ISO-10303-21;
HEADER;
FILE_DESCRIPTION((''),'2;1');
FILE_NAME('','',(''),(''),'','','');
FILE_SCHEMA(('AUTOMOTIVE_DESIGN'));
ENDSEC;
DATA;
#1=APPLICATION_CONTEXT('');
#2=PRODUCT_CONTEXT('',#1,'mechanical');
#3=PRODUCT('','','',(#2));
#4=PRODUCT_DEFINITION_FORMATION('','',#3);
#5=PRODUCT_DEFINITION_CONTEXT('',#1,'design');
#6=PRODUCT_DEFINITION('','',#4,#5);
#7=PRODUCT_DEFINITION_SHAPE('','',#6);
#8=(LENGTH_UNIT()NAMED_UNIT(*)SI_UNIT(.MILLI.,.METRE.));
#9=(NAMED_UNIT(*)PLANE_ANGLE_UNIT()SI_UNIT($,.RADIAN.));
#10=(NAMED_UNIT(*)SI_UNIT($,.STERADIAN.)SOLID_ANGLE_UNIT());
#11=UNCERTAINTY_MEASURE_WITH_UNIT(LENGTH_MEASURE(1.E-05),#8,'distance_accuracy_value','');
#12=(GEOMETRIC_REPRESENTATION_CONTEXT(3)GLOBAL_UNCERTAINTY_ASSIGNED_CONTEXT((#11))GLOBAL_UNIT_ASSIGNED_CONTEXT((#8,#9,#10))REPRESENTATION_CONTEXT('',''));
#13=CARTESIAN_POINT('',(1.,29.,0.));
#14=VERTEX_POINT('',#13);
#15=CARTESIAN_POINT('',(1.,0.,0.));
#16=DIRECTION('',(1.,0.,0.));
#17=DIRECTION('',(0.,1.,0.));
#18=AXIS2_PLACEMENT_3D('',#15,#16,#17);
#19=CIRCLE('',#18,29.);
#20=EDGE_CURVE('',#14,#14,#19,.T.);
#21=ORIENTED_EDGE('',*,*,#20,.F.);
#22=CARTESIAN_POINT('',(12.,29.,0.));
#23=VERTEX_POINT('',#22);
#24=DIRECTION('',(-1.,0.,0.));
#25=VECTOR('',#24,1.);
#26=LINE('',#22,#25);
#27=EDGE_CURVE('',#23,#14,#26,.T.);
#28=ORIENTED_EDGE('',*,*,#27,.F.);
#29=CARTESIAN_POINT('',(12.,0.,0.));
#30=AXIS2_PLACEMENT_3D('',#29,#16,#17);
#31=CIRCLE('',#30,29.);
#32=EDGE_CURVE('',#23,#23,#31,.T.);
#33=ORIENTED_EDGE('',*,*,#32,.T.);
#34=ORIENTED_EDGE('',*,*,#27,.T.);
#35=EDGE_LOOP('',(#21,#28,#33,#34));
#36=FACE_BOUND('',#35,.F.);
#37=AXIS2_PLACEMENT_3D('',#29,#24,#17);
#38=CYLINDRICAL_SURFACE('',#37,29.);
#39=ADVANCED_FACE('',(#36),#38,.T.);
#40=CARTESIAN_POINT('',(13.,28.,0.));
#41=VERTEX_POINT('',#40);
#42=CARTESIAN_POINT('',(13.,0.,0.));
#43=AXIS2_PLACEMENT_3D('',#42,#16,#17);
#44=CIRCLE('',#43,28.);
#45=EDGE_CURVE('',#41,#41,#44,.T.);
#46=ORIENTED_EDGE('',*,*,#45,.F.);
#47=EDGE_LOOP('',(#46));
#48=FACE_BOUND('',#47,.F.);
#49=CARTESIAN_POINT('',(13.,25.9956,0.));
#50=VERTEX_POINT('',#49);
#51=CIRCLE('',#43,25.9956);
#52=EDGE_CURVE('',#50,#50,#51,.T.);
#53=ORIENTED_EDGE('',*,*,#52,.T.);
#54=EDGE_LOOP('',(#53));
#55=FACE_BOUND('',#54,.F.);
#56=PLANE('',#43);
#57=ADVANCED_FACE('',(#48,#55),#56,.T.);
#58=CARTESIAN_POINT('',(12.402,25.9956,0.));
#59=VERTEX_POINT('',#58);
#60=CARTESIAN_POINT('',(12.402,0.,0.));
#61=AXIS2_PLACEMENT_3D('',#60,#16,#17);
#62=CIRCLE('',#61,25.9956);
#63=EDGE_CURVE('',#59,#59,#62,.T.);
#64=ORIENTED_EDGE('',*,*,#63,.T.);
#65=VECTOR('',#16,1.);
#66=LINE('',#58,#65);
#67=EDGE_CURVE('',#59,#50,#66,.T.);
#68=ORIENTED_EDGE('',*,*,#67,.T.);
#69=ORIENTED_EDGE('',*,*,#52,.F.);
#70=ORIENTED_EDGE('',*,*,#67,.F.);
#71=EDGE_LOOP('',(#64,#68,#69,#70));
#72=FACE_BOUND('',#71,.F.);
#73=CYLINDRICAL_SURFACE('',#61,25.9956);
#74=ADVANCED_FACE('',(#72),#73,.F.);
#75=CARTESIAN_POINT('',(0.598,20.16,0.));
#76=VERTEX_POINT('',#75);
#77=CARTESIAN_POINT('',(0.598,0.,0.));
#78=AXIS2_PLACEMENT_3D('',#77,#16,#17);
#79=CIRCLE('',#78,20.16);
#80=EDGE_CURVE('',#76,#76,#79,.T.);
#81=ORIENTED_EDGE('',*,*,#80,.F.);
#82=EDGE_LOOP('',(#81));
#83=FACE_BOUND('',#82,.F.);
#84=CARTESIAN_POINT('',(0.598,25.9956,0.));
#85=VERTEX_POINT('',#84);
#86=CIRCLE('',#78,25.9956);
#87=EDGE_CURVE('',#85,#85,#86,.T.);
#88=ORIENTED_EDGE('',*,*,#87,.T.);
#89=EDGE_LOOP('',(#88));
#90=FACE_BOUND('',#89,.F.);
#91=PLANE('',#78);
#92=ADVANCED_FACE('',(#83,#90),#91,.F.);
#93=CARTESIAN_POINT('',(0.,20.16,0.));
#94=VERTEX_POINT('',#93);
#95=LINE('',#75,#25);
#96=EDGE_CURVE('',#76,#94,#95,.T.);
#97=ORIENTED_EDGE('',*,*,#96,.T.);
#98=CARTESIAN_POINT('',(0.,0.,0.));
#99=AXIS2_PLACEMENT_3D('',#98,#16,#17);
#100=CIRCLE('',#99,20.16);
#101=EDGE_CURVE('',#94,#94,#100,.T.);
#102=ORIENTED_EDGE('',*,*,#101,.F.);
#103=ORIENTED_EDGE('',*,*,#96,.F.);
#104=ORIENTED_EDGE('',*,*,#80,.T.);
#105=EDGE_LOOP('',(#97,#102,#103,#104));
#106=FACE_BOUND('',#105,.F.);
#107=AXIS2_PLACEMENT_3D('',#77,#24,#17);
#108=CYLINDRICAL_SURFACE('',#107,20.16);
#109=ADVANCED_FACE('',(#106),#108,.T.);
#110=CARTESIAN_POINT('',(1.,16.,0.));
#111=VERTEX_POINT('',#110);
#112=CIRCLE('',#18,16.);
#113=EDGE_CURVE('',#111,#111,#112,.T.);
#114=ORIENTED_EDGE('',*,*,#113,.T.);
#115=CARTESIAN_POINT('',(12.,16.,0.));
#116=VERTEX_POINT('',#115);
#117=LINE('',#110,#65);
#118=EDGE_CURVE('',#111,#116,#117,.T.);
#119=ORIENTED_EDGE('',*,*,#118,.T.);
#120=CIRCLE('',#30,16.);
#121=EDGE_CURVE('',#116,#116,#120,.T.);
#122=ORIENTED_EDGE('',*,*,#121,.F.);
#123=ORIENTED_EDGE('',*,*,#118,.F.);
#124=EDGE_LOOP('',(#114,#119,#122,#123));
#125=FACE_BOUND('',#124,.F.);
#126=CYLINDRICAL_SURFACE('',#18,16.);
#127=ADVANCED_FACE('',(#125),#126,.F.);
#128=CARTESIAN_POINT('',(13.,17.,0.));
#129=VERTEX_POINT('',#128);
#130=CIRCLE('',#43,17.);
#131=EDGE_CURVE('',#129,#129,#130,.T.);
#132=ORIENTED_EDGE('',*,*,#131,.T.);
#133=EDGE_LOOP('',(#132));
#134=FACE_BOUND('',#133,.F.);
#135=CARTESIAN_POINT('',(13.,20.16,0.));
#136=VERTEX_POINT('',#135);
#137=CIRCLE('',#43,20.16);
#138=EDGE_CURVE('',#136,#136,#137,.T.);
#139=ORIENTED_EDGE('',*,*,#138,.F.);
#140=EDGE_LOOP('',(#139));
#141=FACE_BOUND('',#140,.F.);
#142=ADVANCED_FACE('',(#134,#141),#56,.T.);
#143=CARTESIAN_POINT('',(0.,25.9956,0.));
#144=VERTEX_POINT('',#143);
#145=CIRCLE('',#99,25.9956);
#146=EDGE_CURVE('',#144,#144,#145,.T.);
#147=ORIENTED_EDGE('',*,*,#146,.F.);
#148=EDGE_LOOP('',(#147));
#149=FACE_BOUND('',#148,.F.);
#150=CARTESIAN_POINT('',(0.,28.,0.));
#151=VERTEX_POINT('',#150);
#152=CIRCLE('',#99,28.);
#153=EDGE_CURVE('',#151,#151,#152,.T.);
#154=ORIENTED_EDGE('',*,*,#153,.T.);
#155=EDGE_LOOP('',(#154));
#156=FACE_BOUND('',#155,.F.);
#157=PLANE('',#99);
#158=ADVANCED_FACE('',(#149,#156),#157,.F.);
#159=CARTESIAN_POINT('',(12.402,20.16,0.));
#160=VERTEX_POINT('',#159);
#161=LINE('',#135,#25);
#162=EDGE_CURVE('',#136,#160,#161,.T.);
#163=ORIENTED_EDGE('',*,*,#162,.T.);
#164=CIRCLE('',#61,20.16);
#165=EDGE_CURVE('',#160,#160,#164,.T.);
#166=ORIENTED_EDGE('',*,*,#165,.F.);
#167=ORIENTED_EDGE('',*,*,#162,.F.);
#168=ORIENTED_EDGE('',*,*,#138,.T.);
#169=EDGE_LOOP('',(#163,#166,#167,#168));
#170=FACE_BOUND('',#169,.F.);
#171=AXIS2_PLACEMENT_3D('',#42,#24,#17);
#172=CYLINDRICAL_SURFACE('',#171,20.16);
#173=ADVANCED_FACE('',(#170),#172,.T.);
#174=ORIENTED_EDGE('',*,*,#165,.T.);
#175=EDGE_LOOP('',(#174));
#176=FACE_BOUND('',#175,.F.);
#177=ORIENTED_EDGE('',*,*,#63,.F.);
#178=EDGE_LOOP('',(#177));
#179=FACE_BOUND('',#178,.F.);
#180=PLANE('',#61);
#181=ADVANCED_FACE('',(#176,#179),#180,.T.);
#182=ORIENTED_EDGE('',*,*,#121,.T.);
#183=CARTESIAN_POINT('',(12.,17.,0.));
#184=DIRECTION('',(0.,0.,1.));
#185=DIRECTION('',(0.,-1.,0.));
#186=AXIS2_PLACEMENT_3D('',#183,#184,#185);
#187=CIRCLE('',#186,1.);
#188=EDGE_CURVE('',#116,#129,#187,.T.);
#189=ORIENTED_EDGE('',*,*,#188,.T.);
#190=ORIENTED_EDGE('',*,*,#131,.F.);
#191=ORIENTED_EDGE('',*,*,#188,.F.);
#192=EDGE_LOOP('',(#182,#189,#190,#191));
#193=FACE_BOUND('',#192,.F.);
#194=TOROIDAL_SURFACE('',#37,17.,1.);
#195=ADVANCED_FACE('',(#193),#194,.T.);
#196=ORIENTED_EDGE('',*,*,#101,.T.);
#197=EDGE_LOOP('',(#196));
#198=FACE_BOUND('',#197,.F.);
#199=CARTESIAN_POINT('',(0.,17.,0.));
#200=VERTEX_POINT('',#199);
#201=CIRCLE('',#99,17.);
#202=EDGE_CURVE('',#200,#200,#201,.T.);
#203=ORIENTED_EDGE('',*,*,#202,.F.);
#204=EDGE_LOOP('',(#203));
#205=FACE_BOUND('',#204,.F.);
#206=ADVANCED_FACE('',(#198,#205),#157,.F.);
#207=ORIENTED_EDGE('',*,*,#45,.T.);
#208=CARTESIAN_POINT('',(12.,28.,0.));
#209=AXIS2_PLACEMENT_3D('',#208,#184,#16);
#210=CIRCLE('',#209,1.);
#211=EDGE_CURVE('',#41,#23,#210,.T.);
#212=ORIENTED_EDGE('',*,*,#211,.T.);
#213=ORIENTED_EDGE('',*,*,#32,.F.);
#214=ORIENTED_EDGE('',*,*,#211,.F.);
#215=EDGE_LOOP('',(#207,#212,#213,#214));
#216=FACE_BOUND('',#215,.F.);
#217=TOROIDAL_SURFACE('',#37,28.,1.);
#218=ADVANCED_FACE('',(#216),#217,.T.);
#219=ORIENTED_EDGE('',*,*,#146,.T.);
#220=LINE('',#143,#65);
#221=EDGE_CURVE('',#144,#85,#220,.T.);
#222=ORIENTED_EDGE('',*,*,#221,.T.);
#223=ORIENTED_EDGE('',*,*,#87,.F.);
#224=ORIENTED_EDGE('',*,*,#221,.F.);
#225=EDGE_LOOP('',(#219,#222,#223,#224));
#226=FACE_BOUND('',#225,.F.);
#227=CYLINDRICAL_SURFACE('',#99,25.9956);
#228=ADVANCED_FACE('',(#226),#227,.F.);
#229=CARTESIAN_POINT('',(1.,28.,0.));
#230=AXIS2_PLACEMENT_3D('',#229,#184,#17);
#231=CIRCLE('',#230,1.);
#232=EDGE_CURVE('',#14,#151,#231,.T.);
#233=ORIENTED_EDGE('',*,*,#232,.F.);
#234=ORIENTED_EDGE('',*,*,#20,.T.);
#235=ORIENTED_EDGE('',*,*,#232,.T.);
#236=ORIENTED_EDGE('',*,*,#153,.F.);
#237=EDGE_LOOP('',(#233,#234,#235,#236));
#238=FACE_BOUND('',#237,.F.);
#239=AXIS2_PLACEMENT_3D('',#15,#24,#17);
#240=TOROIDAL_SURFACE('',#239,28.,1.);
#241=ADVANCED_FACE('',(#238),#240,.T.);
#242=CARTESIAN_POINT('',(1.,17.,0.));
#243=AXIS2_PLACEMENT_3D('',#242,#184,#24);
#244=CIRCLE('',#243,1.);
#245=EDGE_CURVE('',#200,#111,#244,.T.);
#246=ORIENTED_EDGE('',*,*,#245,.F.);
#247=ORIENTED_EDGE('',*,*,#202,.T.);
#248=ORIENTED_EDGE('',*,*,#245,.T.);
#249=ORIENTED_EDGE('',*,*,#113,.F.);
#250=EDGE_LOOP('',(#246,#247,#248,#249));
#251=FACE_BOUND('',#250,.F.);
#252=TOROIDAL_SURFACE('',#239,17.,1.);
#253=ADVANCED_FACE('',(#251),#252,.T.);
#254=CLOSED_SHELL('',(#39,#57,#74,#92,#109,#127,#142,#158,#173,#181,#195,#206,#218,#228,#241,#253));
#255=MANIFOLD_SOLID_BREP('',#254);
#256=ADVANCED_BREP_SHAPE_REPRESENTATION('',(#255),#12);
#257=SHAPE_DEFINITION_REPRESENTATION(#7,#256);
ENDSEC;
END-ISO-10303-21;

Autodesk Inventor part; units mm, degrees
sketch "Sketch_1" plane through (0, 0, 0) normal (0, 0, 1) x (1, 0, 0)
  line L0 (13, 0) -> (0, 0)
  arc A0 (0, 17) -> (1, 16) centre (1, 17) ccw
  line L1 (1, 16) -> (12, 16)
  arc A1 (12, 16) -> (13, 17) centre (12, 17) ccw
  line L2 (13, 17) -> (13, 20.16)
  line L3 (13, 20.16) -> (12.402, 20.16)
  line L4 (12.402, 20.16) -> (12.402, 25.9956)
  line L5 (12.402, 25.9956) -> (13, 25.9956)
  line L6 (13, 25.9956) -> (13, 28)
  arc A2 (13, 28) -> (12, 29) centre (12, 28) ccw
  line L7 (12, 29) -> (1, 29)
  arc A3 (1, 29) -> (0, 28) centre (1, 28) ccw
  line L8 (0, 28) -> (0, 25.9956)
  line L9 (0, 25.9956) -> (0.598, 25.9956)
  line L10 (0.598, 25.9956) -> (0.598, 20.16)
  line L11 (0.598, 20.16) -> (0, 20.16)
  line L12 (0, 20.16) -> (0, 17)
revolve "Revolution1" add sketch "Sketch_1" angle 360 about axis through (13, 0, 0) along (1, 0, 0)
ref_plane "center_point_XY" through (6.5, 0, 0) normal (1, 0, 0) x (0, 0, -1)
ref_plane "center_point_YZ" through (6.5, 0, 0) normal (0, 0, -1) x (0, 1, 0)
ref_plane "center_point_ZX" through (6.5, 0, 0) normal (0, 1, 0) x (1, 0, 0)
ref_plane "to_housing_XY" through (0, 0, 0) normal (1, 0, 0) x (0, 0, -1)
ref_plane "to_housing_YZ" through (0, 0, 0) normal (0, 0, -1) x (0, 1, 0)
ref_plane "to_housing_ZX" through (0, 0, 0) normal (0, 1, 0) x (1, 0, 0)
ref_plane "to_ring_XY" through (11.804, 0, 0) normal (1, 0, 0) x (0, 0, -1)
ref_plane "to_ring_YZ" through (11.804, 0, 0) normal (0, 0, -1) x (0, 1, 0)
ref_plane "to_ring_ZX" through (11.804, 0, 0) normal (0, 1, 0) x (1, 0, 0)
properties part number "BEARING"
